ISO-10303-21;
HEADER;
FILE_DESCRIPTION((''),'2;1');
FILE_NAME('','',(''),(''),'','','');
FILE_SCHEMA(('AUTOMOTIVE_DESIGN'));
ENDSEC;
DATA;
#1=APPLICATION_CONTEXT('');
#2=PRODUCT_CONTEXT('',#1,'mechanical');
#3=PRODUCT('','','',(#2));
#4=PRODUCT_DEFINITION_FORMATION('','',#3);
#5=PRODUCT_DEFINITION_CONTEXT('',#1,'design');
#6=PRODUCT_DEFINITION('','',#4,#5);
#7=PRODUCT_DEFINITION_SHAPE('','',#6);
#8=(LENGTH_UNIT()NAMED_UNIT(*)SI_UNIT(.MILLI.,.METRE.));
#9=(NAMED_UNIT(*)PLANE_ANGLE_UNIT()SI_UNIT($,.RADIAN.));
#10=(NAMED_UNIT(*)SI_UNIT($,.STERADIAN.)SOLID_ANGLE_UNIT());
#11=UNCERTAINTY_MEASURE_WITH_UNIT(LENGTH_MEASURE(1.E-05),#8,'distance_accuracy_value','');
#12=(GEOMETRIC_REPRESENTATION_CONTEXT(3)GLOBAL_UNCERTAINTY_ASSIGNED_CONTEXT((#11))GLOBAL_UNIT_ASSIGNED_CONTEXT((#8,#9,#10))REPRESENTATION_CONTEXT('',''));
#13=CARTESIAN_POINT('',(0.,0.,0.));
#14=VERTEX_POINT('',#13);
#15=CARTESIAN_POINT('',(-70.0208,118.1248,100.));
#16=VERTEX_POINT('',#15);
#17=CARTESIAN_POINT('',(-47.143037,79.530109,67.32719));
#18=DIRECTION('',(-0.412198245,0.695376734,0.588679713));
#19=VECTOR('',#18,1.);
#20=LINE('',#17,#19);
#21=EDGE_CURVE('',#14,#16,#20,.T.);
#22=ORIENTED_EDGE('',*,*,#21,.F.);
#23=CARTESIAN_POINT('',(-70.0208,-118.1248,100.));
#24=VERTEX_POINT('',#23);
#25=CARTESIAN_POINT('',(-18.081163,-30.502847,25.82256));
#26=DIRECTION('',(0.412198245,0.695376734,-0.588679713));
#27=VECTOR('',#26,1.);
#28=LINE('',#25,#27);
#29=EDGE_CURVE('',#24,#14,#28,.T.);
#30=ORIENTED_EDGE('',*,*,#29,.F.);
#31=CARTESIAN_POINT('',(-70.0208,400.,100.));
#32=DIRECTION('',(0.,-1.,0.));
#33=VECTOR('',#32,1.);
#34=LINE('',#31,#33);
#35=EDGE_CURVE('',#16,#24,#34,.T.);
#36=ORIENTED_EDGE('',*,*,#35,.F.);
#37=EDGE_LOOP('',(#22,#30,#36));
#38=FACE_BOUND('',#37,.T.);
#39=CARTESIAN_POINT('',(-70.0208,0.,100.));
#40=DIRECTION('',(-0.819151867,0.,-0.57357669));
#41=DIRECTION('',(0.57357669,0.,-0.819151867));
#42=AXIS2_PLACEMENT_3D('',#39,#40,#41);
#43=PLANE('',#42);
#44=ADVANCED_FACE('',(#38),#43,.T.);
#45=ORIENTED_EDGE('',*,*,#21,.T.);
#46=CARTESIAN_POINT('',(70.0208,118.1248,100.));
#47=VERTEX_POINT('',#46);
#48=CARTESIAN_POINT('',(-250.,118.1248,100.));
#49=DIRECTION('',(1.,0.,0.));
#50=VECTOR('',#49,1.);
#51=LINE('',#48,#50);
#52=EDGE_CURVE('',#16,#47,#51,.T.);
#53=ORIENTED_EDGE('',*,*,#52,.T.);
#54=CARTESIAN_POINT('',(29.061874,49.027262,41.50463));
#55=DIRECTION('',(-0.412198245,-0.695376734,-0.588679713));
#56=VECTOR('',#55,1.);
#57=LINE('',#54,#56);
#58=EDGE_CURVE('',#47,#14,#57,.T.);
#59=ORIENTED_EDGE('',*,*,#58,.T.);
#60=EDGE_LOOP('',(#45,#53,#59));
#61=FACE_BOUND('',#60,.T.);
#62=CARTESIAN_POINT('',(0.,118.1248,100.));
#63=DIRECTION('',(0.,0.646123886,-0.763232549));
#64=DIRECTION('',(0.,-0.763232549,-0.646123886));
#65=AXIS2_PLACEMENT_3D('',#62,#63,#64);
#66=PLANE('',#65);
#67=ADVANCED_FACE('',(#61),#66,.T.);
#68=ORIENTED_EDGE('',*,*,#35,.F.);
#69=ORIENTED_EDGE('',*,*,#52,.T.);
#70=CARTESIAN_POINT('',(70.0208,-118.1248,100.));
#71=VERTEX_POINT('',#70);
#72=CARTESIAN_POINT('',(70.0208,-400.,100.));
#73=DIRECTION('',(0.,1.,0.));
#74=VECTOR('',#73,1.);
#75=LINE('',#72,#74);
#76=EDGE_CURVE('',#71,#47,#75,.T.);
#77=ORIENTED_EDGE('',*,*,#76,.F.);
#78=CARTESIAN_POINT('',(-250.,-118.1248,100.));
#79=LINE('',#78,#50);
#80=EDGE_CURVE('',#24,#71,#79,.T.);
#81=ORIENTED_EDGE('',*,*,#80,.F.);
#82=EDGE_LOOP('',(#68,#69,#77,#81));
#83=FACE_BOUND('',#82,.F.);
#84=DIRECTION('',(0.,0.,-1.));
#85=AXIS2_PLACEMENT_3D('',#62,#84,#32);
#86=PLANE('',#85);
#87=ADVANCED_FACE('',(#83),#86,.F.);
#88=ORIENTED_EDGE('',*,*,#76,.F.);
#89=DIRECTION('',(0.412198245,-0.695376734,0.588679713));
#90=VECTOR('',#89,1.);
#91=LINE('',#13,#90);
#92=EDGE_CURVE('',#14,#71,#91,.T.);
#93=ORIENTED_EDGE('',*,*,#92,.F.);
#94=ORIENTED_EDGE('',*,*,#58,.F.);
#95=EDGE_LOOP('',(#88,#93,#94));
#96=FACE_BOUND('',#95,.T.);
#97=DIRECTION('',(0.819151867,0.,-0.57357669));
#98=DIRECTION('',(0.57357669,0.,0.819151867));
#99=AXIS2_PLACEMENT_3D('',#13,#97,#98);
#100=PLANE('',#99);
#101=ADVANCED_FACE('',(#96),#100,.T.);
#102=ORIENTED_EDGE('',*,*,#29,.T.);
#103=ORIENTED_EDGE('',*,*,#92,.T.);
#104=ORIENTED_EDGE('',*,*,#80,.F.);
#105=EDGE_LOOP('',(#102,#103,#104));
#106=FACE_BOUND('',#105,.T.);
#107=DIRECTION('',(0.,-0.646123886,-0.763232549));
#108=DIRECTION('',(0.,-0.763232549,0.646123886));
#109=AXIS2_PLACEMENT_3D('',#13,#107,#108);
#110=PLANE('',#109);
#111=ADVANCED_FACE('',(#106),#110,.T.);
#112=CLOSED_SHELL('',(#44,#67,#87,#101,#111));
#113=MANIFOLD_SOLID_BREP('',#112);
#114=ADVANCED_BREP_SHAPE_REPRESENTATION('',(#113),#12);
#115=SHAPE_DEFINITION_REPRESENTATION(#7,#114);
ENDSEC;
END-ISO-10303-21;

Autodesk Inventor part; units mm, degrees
ref_plane "YZ Plane" through (0, 0, 0) normal (1, 0, 0) x (0, 1, 0)
ref_plane "XZ Plane" through (0, 0, 0) normal (0, 1, 0) x (-1, 0, 0)
sketch "Эскиз1" plane through (0, 0, 0) normal (0, 1, 0) x (-1, 0, 0)
  line L0 (0, 0) -> (0, 100)
  line L1 (0, 0) -> (-70.0208, 100)
  line L2 (-70.0208, 100) -> (70.0208, 100)
  line L3 (70.0208, 100) -> (0, 0)
  dimension "d0" = 70
  dimension "d1" = 35
  dimension "d5" = 100
sketch "Эскиз2" plane through (0, 0, 0) normal (1, 0, 0) x (0, 1, 0)
  line L0 (0, 0) -> (0, 100)
  line L1 (-118.1248, 100) -> (118.1248, 100)
  line L2 (118.1248, 100) -> (0, 0)
  line L3 (0, 0) -> (-118.1248, 100)
  dimension "d2" = 99.5
  dimension "d3" = 49.75
  dimension "d6" = 100
ref_plane "РабПлоскость1" through (0, 0, 100) normal (0, 0, 1) x (1, 0, 0)
sketch "Эскиз3" plane through (0, 0, 100) normal (0, 0, 1) x (1, 0, 0)
  line L0 (-70.0208, -118.1248) -> (70.0208, -118.1248)
  line L1 (70.0208, -118.1248) -> (70.0208, 118.1248)
  line L2 (70.0208, 118.1248) -> (-70.0208, 118.1248)
  line L3 (-70.0208, 118.1248) -> (-70.0208, -118.1248)
  line L4 (70.0208, 0) -> (-70.0208, 0) projected
  line L5 (0, -118.1248) -> (0, 118.1248) projected
  point P0 (0, 0)
sketch "Эскиз4" plane through (0, 0, 0) normal (1, 0, 0) x (0, 1, 0)
  line L0 (118.1248, 100) -> (0, 0) projected
  line L1 (0, 0) -> (-118.1248, 100) projected
  line L2 (118.1248, 100) -> (-118.1248, 100) projected
extrude "Выдавливание1" add sketch "Эскиз4" along normal mid plane 500
sketch "Эскиз5" plane through (0, 0, 0) normal (0, 1, 0) x (-1, 0, 0)
  line L0 (250, 0) -> (-250, 0) projected
  line L1 (-250, 100) -> (-250, 0) projected
  line L2 (-250, 100) -> (250, 100) projected
  line L3 (250, 0) -> (250, 100) projected
  line L4 (70.0208, 100) -> (0, 0) projected
  line L5 (0, 0) -> (-70.0208, 100) projected
  point P0 (-100, 57.735)
  point P1 (100, 57.735)
extrude "Выдавливание2" cut sketch "Эскиз5" along normal mid plane 800 contours L0 L4 L2 L3 | L0 L1 L2 L5
equation "\"d1\" = 0.5 * d0"
equation "\"d3\" = 0.5 * d2"
properties part number "forw_camera_vision"
